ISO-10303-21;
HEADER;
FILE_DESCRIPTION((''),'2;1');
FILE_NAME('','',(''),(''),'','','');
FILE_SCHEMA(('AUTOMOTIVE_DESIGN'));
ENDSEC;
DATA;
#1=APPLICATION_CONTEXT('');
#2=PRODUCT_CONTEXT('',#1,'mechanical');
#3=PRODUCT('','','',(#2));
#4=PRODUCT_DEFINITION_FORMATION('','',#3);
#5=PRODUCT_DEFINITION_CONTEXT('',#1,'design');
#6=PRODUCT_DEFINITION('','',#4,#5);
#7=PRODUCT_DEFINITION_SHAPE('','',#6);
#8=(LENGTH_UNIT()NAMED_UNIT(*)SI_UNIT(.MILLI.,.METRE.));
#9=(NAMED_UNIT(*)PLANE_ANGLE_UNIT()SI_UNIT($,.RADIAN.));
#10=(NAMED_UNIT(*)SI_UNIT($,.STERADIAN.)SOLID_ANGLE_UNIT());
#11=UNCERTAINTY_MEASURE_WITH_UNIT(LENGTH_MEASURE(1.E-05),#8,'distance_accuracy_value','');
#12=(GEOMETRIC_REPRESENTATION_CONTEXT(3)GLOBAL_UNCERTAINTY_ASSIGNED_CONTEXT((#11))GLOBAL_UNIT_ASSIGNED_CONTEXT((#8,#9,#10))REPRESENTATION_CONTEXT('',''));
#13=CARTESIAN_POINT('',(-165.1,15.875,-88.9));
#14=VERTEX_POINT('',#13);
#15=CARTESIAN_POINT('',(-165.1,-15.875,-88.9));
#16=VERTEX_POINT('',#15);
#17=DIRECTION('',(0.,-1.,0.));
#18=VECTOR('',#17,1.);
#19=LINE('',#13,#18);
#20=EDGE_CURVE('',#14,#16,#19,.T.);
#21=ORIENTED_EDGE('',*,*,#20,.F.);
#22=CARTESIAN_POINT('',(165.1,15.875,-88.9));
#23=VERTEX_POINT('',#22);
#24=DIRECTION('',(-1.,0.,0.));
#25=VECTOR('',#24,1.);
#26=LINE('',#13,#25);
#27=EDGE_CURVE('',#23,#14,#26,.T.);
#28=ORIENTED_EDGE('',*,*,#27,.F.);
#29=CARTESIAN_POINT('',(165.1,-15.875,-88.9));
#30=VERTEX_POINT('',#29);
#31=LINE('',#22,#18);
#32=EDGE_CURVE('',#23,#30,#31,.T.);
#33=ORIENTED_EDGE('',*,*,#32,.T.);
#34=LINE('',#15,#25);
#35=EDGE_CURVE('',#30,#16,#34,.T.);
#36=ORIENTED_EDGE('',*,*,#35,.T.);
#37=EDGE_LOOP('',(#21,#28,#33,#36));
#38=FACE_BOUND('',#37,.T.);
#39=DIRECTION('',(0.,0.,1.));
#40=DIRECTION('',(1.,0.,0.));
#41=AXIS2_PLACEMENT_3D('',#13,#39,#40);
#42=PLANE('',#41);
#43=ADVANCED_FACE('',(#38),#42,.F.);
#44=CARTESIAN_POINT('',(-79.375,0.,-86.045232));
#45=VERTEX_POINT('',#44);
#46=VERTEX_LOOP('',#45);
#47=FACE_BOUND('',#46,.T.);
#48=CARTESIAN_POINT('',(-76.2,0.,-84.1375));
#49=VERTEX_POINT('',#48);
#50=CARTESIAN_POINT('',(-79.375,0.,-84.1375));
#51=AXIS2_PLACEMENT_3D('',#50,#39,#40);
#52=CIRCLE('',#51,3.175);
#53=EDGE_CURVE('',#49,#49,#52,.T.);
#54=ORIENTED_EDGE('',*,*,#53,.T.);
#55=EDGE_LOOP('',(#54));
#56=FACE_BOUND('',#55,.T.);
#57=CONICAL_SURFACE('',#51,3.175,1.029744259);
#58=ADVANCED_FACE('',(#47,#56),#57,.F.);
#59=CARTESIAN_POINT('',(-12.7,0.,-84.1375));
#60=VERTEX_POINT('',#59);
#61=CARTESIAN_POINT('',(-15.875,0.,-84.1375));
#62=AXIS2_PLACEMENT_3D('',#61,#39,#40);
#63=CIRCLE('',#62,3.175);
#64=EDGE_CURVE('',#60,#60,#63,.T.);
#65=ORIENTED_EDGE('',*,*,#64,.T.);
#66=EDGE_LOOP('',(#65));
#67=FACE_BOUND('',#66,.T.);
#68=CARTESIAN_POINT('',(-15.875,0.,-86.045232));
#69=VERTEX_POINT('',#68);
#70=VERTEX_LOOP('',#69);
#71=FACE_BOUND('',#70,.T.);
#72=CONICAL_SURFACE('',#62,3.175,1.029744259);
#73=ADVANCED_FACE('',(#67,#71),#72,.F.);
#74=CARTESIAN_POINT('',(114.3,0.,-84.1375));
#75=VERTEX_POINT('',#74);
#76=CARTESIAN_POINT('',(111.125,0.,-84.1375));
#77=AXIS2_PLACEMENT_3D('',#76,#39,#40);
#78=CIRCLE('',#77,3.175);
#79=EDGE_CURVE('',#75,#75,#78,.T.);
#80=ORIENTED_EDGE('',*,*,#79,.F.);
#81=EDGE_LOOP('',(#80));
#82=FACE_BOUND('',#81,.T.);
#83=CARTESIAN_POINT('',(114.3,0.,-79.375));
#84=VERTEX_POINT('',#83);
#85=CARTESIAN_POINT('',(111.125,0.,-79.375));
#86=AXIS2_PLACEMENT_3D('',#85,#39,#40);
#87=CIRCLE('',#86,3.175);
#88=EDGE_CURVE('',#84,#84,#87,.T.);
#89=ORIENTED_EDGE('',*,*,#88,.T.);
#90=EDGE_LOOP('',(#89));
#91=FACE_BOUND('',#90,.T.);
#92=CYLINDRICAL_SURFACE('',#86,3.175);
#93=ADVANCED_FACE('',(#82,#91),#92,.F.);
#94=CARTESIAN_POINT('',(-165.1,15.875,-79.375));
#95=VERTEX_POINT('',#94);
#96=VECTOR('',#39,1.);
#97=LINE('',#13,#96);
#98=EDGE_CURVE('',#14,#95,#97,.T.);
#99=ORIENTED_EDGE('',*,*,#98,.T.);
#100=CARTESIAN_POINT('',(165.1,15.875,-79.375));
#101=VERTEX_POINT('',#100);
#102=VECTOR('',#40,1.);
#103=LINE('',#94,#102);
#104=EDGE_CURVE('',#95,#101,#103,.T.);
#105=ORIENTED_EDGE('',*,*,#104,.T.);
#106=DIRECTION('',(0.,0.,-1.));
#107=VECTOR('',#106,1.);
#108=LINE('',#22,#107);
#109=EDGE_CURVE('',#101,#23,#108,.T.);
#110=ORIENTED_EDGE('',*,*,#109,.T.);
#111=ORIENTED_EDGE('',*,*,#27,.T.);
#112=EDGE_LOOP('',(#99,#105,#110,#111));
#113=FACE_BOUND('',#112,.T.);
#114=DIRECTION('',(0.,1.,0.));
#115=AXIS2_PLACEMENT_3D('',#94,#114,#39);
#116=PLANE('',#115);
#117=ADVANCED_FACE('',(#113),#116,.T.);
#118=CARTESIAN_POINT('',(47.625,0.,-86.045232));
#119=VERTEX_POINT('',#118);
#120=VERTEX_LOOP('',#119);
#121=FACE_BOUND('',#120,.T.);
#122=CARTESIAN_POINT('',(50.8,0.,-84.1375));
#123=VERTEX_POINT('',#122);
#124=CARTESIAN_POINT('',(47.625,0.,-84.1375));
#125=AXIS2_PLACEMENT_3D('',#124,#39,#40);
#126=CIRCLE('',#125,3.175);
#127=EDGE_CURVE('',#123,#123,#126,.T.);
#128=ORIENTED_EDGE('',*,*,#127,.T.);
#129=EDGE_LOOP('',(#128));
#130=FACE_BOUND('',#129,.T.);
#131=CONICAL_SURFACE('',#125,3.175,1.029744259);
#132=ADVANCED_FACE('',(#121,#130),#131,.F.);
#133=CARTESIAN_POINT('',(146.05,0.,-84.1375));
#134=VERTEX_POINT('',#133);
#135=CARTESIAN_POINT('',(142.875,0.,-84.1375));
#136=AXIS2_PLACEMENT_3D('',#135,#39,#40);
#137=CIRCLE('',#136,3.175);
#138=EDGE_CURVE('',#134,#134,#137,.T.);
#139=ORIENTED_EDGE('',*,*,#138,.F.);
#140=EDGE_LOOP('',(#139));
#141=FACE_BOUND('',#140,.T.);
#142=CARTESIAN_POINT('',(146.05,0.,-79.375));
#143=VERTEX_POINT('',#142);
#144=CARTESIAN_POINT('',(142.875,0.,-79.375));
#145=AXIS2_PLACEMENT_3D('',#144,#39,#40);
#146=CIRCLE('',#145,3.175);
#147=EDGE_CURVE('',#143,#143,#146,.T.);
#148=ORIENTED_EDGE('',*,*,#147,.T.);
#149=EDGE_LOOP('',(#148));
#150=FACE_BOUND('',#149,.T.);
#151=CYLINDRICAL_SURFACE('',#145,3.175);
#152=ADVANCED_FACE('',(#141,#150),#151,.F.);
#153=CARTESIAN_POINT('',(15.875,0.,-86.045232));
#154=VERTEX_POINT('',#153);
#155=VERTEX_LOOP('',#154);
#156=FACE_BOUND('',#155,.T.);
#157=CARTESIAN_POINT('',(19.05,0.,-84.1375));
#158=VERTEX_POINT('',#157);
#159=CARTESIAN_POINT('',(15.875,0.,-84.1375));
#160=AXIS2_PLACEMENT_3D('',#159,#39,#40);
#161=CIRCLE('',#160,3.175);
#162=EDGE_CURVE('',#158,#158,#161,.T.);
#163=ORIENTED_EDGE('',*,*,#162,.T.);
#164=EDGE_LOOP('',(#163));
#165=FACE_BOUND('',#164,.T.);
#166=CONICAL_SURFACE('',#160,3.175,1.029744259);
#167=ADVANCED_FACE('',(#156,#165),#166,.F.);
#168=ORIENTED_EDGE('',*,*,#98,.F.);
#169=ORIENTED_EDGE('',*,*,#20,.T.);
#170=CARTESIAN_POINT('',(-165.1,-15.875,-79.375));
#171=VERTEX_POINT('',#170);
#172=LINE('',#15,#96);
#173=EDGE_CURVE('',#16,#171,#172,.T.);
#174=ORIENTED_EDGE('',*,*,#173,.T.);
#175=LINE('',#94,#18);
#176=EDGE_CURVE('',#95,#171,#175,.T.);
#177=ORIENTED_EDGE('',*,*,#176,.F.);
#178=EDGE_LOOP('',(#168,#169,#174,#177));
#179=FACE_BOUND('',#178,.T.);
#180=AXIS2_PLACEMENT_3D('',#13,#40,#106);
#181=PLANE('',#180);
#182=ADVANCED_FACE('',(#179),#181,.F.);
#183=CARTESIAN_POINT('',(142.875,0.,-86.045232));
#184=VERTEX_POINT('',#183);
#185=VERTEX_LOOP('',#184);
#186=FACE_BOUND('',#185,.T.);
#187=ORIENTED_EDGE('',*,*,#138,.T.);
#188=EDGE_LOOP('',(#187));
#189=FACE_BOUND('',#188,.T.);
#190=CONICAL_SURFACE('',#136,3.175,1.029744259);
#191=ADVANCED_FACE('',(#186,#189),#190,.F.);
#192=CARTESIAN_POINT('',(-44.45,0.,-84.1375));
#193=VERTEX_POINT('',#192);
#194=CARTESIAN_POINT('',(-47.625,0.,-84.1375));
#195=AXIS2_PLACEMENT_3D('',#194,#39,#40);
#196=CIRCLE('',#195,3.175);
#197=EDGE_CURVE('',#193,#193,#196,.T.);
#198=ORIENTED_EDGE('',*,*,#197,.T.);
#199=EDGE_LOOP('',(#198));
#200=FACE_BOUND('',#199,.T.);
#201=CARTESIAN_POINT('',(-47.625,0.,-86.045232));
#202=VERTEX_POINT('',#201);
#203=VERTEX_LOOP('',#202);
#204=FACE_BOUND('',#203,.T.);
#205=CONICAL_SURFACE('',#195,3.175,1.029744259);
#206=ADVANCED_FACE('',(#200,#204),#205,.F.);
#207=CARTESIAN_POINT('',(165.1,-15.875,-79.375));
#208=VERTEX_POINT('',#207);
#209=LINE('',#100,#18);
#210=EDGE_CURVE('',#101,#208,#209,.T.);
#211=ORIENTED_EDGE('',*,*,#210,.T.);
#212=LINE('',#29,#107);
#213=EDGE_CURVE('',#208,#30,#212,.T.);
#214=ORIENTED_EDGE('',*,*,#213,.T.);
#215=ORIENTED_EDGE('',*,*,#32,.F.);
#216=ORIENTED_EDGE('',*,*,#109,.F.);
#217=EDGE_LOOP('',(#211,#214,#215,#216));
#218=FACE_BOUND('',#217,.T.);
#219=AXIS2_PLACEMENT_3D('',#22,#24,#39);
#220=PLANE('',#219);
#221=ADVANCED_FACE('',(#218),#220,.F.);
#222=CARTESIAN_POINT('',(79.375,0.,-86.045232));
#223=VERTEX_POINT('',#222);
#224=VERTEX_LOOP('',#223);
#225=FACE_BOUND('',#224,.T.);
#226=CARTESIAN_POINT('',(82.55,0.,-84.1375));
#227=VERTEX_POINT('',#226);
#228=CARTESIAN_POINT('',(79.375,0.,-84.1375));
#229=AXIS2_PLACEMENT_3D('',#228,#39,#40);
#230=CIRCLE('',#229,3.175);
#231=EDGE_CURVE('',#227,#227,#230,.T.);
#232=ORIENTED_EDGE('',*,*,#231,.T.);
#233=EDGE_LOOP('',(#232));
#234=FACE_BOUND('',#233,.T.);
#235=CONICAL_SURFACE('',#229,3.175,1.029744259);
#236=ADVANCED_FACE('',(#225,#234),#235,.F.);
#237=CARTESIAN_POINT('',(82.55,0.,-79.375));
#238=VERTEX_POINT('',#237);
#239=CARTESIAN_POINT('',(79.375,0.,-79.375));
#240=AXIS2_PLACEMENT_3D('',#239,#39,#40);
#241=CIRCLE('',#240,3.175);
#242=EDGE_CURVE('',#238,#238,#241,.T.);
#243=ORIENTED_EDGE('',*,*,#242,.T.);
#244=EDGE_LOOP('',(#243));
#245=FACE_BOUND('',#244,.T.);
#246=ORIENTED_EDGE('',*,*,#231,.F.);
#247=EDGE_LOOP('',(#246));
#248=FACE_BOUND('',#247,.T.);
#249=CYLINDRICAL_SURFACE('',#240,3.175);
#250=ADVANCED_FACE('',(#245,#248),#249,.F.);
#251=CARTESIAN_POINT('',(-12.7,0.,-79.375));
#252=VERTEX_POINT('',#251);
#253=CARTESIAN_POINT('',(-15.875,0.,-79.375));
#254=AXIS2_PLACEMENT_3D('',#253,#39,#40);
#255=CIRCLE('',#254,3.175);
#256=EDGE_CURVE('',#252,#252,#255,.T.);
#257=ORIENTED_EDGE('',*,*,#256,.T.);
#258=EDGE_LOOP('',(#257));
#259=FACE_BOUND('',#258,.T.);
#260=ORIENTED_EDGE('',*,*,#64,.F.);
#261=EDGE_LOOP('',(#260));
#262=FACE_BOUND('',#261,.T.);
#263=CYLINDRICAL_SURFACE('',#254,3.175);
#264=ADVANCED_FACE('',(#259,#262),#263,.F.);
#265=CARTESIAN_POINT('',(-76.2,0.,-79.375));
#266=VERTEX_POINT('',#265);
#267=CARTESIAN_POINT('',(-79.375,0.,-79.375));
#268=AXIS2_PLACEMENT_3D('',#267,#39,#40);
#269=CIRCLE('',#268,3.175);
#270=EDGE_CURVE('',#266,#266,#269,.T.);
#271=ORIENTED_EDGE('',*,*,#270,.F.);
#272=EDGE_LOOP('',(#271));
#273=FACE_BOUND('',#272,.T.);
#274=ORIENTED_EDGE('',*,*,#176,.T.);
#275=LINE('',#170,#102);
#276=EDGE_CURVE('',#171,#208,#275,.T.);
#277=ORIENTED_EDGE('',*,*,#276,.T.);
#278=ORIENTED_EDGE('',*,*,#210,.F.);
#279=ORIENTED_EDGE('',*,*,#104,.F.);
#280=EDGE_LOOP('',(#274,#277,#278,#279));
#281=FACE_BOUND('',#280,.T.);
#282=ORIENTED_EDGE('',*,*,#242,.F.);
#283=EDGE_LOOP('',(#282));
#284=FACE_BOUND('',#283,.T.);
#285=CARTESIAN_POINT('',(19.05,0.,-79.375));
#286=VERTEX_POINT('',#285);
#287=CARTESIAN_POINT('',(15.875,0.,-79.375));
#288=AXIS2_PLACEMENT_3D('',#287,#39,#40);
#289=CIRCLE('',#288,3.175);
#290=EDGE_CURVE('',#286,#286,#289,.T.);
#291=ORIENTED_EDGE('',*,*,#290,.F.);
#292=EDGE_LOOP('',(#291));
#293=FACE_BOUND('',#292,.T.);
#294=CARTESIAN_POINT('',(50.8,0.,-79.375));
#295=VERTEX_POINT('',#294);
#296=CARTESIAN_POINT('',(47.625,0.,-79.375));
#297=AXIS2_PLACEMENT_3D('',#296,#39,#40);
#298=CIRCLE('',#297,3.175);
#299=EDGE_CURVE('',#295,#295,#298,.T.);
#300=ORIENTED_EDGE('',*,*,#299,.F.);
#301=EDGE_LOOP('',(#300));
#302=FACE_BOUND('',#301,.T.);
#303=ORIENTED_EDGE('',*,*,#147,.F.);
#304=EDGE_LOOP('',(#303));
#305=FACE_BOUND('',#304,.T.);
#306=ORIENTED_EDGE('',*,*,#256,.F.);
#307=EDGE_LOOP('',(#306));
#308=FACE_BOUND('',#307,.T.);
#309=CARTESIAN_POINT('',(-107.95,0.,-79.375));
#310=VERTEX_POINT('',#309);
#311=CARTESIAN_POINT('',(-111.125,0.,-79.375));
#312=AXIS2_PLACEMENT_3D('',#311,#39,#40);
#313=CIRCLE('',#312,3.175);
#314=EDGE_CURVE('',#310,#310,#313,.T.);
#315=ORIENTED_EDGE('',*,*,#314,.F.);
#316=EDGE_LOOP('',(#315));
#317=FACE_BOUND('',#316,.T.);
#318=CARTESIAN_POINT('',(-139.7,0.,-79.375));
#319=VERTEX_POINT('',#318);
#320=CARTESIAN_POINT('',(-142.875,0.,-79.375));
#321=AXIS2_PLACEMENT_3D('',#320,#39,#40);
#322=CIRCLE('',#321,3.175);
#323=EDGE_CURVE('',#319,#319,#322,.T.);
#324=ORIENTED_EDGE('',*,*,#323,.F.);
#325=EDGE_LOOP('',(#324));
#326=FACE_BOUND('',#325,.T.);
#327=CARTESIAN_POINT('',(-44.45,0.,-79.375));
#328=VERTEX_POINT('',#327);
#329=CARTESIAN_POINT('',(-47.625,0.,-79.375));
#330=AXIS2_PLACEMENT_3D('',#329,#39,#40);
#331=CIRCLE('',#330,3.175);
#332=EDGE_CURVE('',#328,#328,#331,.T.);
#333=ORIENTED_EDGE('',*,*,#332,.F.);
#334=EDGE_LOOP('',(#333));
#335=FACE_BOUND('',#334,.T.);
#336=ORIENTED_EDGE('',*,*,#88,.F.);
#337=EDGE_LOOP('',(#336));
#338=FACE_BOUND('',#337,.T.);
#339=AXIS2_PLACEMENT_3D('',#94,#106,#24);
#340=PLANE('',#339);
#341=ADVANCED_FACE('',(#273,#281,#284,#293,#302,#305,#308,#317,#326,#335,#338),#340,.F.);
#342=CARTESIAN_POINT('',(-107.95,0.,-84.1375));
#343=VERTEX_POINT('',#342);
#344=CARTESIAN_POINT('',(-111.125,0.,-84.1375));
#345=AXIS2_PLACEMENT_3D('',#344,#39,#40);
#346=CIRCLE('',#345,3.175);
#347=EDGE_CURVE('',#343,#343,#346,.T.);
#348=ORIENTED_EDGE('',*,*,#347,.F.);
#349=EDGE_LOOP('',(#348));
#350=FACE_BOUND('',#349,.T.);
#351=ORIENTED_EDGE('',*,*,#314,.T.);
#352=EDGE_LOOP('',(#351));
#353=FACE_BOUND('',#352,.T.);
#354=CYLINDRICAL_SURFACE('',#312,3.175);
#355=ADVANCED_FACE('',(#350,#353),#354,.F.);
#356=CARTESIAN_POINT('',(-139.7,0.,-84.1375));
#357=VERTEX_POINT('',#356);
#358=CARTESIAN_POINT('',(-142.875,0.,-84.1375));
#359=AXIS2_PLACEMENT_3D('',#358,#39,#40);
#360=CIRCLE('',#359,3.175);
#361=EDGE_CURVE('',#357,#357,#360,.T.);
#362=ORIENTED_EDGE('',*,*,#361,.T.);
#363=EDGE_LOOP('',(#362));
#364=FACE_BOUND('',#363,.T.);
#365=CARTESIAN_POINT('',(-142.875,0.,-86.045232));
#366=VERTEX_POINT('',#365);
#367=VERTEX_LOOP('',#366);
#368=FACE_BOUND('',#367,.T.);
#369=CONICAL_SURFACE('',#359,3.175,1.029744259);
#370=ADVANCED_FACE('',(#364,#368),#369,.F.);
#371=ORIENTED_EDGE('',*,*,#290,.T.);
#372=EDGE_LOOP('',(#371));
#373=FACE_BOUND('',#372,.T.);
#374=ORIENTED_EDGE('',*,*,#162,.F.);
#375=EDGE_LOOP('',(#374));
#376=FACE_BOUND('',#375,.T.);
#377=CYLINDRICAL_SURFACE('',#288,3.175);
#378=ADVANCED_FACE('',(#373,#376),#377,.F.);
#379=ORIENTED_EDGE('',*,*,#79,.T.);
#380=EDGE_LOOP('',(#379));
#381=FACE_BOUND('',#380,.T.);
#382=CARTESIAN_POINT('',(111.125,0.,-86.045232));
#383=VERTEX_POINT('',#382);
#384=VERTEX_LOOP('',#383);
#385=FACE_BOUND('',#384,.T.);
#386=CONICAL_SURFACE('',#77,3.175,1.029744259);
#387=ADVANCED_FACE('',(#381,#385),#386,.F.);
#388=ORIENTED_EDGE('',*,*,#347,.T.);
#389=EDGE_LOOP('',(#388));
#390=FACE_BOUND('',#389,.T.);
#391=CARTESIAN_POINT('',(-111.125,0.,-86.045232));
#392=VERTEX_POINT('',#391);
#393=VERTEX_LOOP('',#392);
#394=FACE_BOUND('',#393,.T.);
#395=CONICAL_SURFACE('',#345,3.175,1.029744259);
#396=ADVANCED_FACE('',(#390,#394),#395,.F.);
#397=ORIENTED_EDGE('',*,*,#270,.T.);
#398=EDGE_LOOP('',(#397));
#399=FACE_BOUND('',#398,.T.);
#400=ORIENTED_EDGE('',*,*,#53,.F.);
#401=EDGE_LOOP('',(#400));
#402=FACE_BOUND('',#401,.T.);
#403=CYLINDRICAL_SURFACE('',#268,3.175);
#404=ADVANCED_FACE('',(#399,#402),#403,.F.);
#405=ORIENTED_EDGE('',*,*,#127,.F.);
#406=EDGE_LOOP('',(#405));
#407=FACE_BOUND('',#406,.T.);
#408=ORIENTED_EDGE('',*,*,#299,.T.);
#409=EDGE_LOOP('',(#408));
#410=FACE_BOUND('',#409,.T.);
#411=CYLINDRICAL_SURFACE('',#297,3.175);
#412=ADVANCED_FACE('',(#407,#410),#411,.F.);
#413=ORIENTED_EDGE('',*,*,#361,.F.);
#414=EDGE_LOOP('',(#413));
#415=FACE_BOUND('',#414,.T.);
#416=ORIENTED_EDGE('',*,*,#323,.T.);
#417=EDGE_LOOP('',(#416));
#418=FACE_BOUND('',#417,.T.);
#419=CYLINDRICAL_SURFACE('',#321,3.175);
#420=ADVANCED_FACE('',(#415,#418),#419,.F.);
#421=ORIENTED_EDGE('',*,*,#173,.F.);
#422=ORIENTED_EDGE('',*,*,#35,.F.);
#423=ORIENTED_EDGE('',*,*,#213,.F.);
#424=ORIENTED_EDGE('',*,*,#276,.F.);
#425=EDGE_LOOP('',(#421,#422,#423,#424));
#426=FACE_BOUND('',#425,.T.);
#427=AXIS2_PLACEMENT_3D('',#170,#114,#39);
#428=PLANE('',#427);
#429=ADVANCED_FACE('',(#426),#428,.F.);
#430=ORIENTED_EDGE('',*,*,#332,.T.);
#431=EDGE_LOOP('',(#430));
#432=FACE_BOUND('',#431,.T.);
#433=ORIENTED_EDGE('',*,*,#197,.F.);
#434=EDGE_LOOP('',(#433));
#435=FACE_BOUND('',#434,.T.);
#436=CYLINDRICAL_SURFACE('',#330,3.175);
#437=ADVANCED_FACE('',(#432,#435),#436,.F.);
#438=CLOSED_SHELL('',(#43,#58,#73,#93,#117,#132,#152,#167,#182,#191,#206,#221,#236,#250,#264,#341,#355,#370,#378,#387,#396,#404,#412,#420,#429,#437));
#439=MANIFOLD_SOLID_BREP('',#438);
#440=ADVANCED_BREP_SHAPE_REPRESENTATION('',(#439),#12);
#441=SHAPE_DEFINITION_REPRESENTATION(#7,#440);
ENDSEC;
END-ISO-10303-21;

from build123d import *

# Parameters (mm, degrees)
BOSS_EXTRUDE1_DEPTH             = 15.875
BOSS_EXTRUDE1_DEPTH_BACK        = 15.875
SKETCH2_W                       = 330.2
SKETCH2_H                       = 9.525
F_1_4_0_25_DIAMETER_HOLE1_D     = 6.35
F_1_4_0_25_DIAMETER_HOLE1_DEPTH = 4.7625
F_1_4_0_25_DIAMETER_HOLE1_TIP   = 1.907732465


with BuildPart() as part:
    # Sketch2 → Boss-Extrude1 (new, two sides: drawn at the far end of the back side and taken through both)
    with BuildSketch(Plane(origin=(0, 0, 0), x_dir=(1, 0, 0), z_dir=(0, 1, 0)).offset(-BOSS_EXTRUDE1_DEPTH_BACK)):
        with Locations((0, 84.1375)):
            Rectangle(SKETCH2_W, SKETCH2_H)
    extrude(amount=BOSS_EXTRUDE1_DEPTH + BOSS_EXTRUDE1_DEPTH_BACK)

    # 1/4 (0.25) Diameter Hole1
    with Locations(Plane.XY.offset(-79.375)):
        with Locations((-142.875, 0), (-111.125, 0), (-79.375, 0), (-47.625, 0), (-15.875, 0), (15.875, 0), (47.625, 0), (79.375, 0), (111.125, 0), (142.875, 0)):
            Hole(F_1_4_0_25_DIAMETER_HOLE1_D / 2, depth=F_1_4_0_25_DIAMETER_HOLE1_DEPTH)
            with Locations((0, 0, -(F_1_4_0_25_DIAMETER_HOLE1_DEPTH + F_1_4_0_25_DIAMETER_HOLE1_TIP / 2))):  # 118° drill point
                Cone(0, F_1_4_0_25_DIAMETER_HOLE1_D / 2, F_1_4_0_25_DIAMETER_HOLE1_TIP, mode=Mode.SUBTRACT)


solid = part.part
